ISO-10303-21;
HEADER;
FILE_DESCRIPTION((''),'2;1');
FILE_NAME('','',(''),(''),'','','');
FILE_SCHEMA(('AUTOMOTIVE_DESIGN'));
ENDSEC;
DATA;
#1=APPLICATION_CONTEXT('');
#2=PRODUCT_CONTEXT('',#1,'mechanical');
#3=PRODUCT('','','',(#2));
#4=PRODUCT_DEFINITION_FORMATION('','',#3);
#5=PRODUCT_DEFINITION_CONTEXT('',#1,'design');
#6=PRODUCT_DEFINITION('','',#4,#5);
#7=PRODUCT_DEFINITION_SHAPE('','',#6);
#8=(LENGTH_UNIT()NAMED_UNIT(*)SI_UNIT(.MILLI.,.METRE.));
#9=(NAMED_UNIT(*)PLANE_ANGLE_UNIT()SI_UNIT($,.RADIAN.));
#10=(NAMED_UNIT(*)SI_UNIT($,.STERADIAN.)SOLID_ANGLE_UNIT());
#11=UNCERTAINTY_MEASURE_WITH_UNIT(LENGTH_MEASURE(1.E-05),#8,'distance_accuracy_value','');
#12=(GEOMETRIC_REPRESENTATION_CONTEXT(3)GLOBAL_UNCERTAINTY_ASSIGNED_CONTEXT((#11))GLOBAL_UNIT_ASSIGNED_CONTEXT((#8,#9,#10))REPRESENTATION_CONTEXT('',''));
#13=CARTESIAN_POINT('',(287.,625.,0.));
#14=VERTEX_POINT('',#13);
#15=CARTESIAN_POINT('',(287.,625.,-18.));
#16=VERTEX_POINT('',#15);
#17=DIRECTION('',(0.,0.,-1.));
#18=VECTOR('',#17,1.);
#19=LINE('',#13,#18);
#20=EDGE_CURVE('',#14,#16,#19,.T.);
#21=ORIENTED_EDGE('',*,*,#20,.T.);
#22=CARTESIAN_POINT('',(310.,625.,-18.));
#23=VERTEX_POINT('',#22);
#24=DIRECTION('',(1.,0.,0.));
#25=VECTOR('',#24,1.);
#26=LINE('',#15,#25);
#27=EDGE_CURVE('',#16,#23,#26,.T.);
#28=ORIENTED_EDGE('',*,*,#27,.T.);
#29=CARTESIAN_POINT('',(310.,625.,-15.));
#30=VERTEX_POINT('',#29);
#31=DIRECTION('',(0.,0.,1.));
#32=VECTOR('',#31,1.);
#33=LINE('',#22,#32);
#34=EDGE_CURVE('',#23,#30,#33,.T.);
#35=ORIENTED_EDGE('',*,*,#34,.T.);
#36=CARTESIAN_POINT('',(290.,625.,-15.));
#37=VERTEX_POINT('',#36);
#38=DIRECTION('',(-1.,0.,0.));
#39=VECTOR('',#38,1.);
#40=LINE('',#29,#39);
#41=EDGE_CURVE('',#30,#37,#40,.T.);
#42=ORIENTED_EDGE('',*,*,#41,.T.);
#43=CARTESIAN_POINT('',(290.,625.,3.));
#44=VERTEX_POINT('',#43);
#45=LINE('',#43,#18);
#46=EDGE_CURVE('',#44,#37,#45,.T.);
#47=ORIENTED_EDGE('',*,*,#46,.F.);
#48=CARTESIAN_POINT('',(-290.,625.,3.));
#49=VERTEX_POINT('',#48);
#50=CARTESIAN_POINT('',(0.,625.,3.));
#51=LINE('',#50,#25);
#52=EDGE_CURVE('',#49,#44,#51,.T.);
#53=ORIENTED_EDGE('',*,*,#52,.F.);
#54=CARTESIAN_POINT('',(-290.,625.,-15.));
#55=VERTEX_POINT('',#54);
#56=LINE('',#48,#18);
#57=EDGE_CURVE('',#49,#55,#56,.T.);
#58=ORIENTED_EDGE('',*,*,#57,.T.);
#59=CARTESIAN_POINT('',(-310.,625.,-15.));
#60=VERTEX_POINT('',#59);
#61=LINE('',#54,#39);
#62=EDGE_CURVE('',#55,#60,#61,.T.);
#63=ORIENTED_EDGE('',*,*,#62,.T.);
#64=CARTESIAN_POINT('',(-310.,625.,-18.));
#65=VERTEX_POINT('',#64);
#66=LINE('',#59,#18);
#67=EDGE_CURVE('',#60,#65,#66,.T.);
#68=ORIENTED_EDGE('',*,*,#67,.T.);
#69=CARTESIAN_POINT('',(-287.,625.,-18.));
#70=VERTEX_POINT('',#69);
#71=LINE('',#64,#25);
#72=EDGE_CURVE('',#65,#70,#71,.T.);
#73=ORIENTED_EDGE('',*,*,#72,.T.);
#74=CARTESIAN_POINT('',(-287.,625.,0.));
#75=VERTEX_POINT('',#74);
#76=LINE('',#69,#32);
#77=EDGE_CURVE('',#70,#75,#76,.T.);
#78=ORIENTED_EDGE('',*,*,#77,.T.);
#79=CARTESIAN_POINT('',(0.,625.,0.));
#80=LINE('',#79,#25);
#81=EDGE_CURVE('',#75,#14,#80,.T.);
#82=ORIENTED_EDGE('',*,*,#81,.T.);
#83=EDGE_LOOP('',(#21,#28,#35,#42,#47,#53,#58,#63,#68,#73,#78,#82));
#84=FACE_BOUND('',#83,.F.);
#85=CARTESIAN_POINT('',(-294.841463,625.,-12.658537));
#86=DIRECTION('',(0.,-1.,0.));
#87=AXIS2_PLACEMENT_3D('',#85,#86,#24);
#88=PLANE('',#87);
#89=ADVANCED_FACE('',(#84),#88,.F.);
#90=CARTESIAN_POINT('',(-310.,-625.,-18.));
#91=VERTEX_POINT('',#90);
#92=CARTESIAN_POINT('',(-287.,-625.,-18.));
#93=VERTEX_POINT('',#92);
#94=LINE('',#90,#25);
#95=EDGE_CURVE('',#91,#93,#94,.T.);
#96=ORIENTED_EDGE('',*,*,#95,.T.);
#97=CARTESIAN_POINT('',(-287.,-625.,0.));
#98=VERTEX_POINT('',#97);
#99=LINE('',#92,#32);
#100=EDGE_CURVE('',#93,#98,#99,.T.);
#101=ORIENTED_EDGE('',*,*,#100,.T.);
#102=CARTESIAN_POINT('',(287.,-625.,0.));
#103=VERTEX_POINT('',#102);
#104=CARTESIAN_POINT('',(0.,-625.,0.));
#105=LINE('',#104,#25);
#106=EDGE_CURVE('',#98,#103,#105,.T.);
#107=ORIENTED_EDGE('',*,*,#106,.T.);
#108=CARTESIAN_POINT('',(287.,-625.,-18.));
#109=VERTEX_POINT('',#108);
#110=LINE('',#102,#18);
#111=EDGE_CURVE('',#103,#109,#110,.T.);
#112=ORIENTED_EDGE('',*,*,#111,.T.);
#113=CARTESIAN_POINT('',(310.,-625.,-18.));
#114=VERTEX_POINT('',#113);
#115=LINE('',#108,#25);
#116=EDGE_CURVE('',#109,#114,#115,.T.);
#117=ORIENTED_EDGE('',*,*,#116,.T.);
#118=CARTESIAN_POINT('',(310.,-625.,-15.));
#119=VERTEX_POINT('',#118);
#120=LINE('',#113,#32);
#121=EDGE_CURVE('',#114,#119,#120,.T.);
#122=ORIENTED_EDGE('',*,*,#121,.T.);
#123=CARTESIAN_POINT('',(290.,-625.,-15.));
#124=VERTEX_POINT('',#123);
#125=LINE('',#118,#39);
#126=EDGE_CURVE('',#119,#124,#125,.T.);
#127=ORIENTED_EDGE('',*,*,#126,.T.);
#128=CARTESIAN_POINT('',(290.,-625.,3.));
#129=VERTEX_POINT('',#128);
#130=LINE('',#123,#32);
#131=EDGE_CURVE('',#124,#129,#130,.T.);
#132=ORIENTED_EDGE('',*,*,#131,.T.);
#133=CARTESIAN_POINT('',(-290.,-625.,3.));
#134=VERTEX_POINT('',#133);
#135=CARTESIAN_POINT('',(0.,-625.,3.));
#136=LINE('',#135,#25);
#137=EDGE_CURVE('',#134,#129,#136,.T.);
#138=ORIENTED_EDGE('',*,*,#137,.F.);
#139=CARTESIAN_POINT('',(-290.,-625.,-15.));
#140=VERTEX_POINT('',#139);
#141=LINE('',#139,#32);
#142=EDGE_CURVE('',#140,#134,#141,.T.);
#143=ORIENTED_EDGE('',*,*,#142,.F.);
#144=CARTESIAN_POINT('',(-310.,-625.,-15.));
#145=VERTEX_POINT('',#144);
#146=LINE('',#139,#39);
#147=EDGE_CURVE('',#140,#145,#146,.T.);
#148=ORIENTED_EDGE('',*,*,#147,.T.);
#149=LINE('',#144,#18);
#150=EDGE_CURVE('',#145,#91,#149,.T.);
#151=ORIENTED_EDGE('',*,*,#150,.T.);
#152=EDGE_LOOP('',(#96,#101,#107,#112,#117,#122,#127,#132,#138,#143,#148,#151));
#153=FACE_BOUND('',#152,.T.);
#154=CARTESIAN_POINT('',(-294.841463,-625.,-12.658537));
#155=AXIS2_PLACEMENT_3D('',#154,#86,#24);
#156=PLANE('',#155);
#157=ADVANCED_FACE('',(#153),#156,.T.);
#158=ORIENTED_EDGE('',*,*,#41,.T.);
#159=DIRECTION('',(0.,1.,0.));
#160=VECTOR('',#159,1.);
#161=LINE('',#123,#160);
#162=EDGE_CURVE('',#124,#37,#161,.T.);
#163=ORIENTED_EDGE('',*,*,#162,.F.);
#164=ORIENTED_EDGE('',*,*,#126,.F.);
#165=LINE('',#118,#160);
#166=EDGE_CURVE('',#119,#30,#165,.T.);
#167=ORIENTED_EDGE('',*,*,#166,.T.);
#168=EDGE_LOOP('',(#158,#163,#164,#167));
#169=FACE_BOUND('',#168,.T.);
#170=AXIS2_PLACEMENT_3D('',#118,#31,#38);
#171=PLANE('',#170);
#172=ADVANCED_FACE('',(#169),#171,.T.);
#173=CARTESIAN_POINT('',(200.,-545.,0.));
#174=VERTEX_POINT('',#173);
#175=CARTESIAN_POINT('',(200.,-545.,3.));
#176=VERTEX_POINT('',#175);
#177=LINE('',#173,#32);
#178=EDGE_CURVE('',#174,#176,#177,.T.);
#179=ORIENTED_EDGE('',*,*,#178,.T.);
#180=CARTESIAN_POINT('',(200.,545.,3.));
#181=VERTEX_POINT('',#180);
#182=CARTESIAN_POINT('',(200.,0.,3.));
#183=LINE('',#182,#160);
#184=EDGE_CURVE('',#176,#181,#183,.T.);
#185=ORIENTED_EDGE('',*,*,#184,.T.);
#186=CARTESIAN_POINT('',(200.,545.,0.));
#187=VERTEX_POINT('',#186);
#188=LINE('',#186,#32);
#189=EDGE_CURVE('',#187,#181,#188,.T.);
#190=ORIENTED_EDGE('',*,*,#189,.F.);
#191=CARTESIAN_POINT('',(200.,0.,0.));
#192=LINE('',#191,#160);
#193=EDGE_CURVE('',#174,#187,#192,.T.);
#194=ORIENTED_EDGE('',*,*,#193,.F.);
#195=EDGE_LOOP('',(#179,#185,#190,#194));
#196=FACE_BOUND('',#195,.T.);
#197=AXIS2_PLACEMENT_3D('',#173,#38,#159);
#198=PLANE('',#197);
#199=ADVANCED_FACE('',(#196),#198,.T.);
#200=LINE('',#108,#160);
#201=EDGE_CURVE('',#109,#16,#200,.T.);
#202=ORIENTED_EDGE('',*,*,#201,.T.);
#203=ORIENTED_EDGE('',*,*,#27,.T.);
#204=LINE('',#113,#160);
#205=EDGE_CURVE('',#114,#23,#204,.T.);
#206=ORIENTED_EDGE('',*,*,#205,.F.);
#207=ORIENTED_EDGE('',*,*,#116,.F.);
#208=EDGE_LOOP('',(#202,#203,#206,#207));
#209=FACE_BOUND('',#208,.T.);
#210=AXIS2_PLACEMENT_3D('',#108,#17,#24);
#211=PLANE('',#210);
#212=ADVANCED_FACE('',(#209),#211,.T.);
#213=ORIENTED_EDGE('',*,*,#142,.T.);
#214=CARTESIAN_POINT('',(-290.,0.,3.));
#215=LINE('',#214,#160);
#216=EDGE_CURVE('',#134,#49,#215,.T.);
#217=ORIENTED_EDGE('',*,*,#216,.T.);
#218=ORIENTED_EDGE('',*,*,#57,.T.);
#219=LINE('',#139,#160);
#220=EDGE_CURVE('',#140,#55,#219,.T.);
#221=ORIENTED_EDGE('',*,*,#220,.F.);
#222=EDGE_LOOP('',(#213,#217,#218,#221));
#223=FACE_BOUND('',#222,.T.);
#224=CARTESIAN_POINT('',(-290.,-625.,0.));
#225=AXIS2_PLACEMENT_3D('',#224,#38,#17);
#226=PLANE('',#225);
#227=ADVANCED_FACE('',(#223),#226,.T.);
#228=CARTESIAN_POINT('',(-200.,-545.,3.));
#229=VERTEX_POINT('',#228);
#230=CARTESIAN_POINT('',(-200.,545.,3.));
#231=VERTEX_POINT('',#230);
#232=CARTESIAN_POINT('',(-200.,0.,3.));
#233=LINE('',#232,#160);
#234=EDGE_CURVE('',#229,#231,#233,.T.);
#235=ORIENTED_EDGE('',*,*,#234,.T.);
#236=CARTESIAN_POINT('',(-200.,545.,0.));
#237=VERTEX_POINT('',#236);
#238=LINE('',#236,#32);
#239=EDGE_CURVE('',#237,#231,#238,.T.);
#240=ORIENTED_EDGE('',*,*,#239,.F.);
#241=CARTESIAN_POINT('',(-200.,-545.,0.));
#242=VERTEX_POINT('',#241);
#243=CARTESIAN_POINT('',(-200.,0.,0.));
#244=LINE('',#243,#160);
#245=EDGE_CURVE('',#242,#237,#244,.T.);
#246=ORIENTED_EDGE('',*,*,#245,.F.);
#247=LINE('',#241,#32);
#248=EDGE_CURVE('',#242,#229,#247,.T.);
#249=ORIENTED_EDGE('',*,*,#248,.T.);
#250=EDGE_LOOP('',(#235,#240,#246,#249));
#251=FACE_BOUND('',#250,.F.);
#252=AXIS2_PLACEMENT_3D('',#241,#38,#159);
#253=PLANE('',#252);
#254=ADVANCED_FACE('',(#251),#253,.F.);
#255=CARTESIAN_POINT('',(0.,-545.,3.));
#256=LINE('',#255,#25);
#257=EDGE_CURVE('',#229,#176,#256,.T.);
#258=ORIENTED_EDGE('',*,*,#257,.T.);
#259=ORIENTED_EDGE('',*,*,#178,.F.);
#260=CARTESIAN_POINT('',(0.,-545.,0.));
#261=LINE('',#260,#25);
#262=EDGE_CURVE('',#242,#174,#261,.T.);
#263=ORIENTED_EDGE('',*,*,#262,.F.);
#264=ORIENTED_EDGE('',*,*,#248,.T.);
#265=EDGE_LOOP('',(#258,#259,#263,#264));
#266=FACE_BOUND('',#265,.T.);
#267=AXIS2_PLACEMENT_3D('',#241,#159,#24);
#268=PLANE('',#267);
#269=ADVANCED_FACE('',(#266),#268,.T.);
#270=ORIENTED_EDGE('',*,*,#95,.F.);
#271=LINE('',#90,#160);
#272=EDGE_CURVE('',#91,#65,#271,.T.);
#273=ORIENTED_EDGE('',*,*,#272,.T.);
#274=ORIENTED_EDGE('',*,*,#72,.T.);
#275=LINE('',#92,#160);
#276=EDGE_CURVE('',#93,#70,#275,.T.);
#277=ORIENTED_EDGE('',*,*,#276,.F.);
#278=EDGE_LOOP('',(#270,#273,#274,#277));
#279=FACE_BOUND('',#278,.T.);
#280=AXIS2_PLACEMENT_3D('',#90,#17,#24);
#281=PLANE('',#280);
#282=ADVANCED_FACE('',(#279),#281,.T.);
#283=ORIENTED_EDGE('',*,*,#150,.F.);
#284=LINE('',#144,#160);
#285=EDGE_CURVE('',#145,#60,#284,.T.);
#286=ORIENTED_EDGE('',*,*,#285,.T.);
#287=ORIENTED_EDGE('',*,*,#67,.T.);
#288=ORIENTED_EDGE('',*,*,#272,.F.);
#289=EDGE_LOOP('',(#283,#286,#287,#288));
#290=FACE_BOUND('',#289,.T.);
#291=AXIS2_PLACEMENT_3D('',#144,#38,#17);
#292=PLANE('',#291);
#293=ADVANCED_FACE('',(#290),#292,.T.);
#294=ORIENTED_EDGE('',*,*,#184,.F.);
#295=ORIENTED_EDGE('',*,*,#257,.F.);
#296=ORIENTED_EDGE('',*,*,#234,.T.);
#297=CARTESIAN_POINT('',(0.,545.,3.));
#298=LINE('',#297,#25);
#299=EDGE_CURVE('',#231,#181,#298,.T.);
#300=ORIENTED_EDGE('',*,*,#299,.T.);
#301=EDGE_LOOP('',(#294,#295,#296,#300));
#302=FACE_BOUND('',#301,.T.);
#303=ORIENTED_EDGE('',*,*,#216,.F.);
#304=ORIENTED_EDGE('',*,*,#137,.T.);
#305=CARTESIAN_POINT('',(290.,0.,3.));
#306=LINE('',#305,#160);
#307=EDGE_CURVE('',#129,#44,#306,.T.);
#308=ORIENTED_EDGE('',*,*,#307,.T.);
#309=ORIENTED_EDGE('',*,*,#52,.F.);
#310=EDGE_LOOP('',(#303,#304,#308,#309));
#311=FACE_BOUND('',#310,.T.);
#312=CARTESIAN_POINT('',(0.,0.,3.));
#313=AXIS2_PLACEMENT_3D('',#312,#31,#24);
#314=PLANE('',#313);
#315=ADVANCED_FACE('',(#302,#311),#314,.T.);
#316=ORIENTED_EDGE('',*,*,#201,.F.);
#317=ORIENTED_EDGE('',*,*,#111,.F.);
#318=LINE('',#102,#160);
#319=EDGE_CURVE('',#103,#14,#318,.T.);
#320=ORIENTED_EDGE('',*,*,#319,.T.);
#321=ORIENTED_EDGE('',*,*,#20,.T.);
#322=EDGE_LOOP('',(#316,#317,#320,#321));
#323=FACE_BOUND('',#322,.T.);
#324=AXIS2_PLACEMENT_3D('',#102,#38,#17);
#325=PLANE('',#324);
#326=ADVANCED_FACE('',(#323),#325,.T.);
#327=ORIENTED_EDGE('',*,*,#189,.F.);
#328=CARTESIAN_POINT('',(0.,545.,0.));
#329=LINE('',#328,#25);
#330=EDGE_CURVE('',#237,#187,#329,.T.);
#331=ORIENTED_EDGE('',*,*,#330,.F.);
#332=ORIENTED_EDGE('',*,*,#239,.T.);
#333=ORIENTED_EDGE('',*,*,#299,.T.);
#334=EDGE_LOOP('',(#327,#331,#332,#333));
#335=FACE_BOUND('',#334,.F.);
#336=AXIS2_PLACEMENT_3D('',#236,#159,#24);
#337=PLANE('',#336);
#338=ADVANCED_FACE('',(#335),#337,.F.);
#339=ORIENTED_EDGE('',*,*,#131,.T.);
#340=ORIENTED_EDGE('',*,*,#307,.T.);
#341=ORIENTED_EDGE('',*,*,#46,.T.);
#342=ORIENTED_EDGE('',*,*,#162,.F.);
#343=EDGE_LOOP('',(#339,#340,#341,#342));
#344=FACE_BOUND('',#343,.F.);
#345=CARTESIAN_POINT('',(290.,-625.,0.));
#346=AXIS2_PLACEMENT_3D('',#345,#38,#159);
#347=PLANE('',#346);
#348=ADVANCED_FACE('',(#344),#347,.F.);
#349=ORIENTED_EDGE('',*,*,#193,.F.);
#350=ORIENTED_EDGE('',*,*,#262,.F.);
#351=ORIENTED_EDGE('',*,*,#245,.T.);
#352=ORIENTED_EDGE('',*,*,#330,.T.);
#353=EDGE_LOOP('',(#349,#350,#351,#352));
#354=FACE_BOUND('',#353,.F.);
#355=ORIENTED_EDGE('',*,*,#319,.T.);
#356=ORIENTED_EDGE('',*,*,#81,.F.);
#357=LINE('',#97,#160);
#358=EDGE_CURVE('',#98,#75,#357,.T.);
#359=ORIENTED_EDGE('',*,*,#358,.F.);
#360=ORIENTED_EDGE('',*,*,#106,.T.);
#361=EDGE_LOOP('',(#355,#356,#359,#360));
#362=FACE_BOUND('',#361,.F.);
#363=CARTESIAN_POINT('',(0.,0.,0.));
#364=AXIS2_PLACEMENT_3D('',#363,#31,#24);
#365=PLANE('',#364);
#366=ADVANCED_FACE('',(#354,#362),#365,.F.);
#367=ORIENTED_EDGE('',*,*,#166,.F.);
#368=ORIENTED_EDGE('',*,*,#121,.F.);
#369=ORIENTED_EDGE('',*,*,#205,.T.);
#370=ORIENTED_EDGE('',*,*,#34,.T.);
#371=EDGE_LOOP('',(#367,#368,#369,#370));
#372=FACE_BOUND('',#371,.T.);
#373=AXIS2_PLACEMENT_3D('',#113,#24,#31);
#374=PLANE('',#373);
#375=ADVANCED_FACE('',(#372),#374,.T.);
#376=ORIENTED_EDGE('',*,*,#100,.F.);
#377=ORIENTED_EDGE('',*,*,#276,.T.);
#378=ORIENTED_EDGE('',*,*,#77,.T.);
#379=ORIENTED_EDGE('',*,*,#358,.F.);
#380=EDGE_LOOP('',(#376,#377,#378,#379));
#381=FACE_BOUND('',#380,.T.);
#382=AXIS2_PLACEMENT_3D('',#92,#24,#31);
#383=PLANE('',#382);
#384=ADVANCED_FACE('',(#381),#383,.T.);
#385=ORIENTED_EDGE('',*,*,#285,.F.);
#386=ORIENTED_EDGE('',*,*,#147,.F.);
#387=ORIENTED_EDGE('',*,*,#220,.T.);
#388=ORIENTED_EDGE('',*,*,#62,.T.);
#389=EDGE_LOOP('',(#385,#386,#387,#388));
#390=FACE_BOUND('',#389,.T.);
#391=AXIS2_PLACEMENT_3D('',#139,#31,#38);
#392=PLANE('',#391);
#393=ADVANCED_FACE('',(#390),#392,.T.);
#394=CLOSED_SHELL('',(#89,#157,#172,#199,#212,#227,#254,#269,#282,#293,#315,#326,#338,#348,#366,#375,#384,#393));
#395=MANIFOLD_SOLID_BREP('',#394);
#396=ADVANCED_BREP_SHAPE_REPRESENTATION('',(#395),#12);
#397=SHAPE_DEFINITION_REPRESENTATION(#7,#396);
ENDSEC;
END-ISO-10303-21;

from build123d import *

# Parameters (mm, degrees)
F0_W     = 580
F0_H     = 1250
F0_W_2   = 400
F0_H_2   = 1090
F1_DEPTH = 3
F3_DEPTH = 1250


with BuildPart() as f1:
    # F0 (on Top) → F1 (new body)
    with BuildSketch(Plane.XY):
        Rectangle(F0_W, F0_H)
        Rectangle(F0_W_2, F0_H_2, mode=Mode.SUBTRACT)
    extrude(amount=F1_DEPTH)

    # F2 (on face) → F3 (join)
    with BuildSketch(Plane.XZ.offset(625)):
        Polygon((-287, 0), (-290, 0), (-290, -15), (-310, -15), (-310, -18), (-287, -18), align=None)
        Polygon((290, 0), (287, 0), (287, -18), (310, -18), (310, -15), (290, -15), align=None)
    extrude(amount=-F3_DEPTH)


solid = f1.part
